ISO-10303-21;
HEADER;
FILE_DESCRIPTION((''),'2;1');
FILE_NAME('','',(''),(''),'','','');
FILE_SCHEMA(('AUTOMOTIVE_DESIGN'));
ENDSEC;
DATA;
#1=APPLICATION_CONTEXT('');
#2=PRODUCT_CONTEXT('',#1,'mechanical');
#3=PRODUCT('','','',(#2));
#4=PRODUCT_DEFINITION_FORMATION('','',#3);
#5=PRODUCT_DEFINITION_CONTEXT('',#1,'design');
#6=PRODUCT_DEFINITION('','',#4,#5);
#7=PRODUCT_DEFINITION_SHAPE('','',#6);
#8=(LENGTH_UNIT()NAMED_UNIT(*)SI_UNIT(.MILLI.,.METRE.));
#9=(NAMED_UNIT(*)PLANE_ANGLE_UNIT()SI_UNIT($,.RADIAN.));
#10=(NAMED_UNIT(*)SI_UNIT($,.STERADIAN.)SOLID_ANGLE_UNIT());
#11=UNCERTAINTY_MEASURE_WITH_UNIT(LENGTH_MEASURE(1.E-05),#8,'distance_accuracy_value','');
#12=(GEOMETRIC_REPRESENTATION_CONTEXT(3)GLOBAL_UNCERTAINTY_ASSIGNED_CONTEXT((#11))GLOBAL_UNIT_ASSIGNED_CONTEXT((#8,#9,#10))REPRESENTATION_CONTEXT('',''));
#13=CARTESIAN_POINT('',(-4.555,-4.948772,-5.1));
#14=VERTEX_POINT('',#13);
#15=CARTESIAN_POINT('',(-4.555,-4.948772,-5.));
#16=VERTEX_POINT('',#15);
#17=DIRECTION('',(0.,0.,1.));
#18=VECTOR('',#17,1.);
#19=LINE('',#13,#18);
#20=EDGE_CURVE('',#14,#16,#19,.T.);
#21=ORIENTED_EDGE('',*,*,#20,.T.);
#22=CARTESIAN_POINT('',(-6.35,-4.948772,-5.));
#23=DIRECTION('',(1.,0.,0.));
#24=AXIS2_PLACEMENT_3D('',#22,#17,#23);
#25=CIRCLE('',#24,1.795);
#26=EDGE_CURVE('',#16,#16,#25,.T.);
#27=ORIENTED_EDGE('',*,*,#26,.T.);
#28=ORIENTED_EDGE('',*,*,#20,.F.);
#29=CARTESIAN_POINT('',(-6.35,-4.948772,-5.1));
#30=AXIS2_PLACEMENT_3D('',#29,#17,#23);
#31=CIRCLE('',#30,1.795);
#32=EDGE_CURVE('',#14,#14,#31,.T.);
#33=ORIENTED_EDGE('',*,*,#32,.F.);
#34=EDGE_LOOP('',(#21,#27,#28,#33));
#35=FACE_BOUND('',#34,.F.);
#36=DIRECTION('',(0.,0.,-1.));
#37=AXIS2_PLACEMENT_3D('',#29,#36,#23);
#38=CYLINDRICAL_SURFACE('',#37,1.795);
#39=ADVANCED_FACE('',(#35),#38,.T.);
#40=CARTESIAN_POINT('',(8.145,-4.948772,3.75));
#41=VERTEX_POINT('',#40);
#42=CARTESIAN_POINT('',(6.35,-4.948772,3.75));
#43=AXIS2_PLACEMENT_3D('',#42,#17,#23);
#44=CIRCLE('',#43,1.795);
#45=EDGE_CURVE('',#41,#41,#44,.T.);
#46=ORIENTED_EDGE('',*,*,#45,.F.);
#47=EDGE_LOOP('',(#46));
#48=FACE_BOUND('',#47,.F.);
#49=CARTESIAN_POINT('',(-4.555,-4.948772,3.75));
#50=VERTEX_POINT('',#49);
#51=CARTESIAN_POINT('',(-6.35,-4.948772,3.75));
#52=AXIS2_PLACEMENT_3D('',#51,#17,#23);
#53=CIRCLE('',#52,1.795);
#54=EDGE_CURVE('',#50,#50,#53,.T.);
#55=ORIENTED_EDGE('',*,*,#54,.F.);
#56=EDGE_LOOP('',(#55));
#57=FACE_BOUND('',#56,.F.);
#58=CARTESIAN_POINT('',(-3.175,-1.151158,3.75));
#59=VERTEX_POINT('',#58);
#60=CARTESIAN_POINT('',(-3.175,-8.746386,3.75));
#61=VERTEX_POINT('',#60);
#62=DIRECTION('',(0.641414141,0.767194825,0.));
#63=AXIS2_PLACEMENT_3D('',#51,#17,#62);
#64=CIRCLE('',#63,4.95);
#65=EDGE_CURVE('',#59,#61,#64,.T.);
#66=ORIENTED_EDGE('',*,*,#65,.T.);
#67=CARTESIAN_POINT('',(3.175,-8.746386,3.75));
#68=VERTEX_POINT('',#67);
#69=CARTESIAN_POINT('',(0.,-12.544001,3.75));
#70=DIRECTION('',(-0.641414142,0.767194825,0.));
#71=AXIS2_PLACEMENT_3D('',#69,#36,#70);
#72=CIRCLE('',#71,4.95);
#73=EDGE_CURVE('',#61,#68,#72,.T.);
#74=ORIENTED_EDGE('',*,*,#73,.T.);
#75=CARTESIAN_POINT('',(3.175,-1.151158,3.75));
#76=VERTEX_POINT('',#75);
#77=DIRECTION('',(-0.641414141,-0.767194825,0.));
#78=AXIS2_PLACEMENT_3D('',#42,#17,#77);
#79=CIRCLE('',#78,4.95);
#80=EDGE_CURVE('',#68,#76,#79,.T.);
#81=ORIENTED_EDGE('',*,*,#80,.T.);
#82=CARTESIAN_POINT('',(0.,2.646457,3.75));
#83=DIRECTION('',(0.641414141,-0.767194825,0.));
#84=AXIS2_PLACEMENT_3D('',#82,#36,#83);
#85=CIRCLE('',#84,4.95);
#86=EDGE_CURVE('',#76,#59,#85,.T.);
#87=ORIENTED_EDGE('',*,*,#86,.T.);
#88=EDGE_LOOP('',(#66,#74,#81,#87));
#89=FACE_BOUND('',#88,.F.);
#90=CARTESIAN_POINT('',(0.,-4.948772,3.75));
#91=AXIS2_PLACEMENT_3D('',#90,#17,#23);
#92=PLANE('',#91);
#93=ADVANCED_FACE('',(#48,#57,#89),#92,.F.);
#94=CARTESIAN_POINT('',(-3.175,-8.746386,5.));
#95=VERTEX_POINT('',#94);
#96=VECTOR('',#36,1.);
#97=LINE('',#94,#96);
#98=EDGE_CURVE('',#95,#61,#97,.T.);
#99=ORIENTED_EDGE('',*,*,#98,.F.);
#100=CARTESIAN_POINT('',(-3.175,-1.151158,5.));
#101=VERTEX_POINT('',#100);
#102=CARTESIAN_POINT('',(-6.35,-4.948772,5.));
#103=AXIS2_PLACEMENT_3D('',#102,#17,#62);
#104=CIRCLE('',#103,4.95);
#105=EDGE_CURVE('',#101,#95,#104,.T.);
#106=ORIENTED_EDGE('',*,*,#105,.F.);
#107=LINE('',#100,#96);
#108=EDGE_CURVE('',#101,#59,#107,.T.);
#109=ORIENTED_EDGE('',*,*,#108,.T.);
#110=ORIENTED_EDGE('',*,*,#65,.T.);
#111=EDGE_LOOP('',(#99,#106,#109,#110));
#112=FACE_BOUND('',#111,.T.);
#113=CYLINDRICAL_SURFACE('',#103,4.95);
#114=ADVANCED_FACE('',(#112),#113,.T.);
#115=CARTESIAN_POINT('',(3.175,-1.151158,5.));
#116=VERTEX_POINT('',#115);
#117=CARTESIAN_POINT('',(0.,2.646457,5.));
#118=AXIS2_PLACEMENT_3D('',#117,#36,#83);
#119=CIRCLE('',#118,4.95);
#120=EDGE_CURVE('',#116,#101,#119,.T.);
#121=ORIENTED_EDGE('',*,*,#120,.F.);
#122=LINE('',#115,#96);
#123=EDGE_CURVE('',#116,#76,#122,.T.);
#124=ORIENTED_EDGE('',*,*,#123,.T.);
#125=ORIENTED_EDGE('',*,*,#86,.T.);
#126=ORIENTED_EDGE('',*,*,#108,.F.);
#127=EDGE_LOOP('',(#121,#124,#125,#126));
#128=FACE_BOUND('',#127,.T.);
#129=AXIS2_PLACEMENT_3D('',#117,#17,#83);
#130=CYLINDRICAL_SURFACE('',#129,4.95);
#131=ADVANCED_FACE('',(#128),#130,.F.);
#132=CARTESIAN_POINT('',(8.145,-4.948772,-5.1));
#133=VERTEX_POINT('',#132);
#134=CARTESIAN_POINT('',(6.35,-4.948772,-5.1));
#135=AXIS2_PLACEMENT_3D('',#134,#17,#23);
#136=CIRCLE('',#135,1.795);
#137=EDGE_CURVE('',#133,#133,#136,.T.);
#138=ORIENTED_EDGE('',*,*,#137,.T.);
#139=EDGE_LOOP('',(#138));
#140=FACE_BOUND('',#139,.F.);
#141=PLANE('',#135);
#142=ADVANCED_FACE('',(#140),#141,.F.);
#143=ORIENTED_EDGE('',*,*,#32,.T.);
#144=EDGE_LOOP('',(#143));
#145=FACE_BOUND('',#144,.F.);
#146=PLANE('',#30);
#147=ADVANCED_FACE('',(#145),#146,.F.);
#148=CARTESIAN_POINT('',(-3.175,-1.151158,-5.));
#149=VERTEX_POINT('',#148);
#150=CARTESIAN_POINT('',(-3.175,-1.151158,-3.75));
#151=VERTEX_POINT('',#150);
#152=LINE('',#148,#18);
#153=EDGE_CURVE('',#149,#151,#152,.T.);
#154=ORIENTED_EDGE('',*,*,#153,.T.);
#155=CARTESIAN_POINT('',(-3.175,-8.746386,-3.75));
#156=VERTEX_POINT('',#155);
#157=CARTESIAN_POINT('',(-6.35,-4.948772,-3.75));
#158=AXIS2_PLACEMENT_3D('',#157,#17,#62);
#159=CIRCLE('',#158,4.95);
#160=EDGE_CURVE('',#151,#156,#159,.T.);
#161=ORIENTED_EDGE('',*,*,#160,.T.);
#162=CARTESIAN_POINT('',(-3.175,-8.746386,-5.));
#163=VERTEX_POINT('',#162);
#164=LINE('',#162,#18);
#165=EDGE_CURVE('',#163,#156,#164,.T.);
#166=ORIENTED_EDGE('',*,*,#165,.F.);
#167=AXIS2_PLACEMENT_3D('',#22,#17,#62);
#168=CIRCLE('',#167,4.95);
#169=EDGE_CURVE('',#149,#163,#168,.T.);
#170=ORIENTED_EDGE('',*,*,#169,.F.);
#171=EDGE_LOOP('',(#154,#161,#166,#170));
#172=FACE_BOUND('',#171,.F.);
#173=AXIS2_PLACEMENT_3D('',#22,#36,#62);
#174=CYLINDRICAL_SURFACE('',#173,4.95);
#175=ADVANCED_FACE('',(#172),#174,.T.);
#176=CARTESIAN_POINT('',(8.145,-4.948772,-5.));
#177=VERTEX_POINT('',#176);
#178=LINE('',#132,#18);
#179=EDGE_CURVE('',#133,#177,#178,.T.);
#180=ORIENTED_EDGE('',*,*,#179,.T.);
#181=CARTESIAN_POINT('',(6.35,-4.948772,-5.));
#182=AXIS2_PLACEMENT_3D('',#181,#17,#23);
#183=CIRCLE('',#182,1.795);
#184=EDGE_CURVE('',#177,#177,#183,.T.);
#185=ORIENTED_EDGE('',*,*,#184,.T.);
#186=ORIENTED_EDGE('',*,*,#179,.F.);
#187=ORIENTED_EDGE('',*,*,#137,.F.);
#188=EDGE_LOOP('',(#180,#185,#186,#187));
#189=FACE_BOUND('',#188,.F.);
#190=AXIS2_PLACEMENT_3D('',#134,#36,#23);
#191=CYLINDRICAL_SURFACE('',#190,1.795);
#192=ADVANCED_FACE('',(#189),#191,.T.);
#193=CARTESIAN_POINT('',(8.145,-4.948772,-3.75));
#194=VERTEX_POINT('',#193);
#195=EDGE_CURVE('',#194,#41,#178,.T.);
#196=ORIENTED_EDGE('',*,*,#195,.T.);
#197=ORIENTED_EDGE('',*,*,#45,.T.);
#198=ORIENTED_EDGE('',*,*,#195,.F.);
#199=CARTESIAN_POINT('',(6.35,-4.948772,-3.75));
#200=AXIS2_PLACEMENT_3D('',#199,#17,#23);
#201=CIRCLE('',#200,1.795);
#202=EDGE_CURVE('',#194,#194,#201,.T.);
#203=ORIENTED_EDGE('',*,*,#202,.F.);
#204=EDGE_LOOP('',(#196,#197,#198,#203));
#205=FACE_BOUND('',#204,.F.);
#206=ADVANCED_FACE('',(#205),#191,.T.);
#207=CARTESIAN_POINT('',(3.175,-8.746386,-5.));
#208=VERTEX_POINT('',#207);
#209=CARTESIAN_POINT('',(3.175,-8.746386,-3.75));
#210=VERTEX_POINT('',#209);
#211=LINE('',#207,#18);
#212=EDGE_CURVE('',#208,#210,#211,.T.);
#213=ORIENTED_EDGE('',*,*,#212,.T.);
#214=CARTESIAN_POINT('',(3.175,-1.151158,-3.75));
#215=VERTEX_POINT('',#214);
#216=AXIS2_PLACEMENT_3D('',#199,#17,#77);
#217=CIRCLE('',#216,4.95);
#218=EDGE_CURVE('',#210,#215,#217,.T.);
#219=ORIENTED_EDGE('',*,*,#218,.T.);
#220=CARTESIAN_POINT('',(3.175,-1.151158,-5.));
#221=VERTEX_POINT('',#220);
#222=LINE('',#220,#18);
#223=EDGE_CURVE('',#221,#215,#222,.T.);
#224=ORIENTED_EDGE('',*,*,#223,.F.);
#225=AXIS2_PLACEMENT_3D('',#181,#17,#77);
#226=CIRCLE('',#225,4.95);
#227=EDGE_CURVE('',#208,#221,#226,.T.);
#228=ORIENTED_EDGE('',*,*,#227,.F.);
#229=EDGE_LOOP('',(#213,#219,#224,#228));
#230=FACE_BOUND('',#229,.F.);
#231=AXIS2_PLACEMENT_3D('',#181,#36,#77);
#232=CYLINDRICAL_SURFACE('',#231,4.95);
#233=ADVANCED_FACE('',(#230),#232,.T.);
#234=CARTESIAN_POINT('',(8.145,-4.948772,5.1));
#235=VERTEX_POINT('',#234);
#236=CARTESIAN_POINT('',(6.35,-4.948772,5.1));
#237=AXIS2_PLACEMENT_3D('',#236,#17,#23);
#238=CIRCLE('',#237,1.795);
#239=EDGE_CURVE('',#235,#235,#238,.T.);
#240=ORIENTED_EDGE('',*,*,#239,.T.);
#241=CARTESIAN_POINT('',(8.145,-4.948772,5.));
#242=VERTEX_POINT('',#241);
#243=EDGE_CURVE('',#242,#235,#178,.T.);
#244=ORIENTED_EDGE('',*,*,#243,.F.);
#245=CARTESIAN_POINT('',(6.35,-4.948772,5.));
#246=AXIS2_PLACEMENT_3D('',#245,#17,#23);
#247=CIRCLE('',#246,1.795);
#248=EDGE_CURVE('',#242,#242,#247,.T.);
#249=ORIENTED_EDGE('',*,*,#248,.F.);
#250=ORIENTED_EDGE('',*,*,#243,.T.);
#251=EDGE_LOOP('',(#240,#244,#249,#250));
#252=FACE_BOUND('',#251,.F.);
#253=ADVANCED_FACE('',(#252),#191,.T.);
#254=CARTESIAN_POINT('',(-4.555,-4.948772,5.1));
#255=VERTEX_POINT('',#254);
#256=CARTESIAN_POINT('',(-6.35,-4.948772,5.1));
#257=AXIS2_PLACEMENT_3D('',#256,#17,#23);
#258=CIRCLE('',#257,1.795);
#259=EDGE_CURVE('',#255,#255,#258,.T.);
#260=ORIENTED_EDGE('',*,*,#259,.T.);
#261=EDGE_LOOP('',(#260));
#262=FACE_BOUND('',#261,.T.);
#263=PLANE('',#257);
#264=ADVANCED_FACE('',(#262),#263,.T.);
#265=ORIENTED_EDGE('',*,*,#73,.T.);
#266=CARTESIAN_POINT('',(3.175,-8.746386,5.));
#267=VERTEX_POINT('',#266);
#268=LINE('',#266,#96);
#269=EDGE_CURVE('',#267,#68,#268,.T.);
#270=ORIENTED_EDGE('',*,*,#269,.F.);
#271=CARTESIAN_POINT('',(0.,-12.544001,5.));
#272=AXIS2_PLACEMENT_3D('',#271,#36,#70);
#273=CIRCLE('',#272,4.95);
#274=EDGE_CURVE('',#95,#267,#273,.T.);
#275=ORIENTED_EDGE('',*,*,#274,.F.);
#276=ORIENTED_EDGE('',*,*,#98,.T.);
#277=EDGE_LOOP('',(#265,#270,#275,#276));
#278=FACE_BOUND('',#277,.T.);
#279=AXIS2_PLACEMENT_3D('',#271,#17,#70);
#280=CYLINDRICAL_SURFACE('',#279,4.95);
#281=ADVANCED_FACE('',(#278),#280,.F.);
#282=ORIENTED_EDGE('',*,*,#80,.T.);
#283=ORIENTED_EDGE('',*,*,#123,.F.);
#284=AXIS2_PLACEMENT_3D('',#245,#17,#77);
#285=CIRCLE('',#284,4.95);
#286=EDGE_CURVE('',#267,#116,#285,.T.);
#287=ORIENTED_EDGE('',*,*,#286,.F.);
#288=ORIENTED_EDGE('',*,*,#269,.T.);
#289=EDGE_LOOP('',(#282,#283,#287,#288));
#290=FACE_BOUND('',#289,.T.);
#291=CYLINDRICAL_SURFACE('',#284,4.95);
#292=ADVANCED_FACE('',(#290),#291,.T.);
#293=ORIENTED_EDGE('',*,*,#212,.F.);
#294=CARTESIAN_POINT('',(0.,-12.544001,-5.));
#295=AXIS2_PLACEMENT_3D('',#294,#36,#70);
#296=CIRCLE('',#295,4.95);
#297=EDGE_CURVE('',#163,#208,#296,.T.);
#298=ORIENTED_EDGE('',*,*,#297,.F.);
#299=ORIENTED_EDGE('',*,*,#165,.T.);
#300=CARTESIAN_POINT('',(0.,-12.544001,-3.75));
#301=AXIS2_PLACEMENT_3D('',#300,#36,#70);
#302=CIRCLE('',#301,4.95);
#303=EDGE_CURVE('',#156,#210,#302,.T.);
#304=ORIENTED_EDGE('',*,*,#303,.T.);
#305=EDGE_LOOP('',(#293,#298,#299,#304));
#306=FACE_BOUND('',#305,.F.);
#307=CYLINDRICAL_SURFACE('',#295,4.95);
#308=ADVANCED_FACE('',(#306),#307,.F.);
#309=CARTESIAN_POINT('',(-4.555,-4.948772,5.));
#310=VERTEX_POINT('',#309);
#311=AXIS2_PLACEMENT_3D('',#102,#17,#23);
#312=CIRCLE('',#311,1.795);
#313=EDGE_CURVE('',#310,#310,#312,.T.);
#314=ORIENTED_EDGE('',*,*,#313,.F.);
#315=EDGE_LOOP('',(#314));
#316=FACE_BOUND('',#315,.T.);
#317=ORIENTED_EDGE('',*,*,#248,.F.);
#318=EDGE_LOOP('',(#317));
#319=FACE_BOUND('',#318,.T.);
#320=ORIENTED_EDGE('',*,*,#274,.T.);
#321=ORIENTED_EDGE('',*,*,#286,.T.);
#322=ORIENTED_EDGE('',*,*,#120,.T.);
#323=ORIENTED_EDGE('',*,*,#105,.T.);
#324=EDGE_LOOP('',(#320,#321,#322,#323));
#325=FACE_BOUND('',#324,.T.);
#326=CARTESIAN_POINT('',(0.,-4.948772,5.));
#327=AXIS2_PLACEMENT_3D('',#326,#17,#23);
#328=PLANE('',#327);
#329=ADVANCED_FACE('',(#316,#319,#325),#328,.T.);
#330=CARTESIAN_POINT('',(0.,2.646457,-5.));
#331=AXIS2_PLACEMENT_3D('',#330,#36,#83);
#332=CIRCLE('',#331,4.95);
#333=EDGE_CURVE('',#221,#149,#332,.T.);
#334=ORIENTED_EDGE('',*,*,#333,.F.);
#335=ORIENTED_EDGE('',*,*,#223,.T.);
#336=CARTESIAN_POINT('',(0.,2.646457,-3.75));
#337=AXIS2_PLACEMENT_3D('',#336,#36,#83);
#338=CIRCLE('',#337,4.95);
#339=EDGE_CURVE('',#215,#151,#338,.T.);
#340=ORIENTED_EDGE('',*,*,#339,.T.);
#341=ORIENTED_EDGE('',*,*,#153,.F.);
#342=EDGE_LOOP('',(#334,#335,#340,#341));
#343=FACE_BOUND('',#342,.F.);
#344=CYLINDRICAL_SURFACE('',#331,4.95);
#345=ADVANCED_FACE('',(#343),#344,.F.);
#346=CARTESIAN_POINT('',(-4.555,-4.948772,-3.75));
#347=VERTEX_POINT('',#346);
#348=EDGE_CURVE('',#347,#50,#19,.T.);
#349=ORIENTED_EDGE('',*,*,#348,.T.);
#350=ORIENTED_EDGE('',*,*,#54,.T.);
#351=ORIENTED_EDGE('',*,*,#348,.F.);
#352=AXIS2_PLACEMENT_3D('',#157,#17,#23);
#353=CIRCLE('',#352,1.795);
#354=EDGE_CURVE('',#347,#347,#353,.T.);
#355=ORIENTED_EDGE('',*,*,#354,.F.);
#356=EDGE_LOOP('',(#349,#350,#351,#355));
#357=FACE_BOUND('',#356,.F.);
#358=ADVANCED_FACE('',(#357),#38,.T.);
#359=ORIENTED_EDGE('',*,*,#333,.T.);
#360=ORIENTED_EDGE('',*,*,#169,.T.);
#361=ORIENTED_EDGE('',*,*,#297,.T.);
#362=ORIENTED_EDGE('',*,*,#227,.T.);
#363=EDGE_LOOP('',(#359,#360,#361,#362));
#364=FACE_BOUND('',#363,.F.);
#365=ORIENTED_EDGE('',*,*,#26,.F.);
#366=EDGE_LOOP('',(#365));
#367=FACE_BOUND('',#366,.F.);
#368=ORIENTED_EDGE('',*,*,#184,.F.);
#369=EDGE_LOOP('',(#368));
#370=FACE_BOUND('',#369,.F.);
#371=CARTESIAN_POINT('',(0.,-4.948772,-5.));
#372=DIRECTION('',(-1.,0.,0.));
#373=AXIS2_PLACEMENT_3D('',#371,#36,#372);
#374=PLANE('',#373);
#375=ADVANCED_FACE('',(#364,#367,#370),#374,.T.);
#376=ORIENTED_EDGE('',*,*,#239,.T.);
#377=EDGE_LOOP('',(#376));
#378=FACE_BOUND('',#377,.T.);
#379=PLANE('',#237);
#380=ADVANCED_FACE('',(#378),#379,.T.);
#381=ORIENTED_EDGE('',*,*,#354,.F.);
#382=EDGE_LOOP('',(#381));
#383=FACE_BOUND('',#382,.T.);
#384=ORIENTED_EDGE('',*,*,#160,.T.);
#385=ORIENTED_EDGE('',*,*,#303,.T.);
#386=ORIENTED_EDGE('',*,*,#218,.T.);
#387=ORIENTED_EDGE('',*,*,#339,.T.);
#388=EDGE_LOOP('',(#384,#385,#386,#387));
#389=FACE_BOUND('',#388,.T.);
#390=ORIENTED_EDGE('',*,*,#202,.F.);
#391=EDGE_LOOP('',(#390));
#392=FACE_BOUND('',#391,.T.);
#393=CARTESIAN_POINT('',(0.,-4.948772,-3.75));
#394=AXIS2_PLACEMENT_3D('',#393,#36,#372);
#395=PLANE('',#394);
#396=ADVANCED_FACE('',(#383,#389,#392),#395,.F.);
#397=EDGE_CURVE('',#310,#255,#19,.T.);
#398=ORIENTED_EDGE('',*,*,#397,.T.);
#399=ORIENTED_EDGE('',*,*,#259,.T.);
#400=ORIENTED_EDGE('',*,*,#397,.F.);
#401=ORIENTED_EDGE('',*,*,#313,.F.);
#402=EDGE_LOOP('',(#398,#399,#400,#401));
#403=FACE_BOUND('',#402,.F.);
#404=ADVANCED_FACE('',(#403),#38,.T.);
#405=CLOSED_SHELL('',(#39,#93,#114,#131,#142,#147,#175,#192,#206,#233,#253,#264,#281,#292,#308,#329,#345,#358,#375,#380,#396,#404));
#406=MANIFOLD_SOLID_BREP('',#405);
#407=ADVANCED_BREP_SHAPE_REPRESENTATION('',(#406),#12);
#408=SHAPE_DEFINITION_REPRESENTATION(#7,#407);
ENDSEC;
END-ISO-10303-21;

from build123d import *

# Parameters (mm, degrees)
SKETCH_2_R           = 1.795
EXTRUDE_1_DEPTH      = 1.25
EXTRUDE_2_DEPTH      = 5.1
EXTRUDE_2_DEPTH_BACK = 5.1
SKETCH_1_R           = 1.795


with BuildPart() as part:
    # Эскиз2 → Бобышка-Вытянуть1 (new body)
    with BuildSketch(Plane.XY.offset(5)):
        with BuildLine():
            ThreePointArc((3.175, -8.746386407), (11.3, -4.948772024), (3.175, -1.151157641))
            ThreePointArc((3.175, -1.151157641), (0, -2.303543258), (-3.175, -1.151157641))
            ThreePointArc((-3.175, -1.151157641), (-11.3, -4.948772024), (-3.175, -8.746386407))
            ThreePointArc((-3.175, -8.746386407), (0, -7.594000789), (3.175, -8.746386407))
        make_face()
        with Locations((6.35, -4.948772024)):
            Circle(SKETCH_2_R, mode=Mode.SUBTRACT)
        with Locations((-6.35, -4.948772024)):
            Circle(SKETCH_2_R, mode=Mode.SUBTRACT)
    extrude(amount=-EXTRUDE_1_DEPTH)


with BuildPart() as body_2:
    # Зеркальное отражение3: mirrored copy
    add(part.part.mirror(Plane.XY))


with BuildPart() as part_1:
    add(part.part)

    add(body_2.part)  # Бобышка-Вытянуть2 merges body 2
    # Эскиз1 → Бобышка-Вытянуть2 (add, two sides: drawn at the far end of the back side and taken through both)
    with BuildSketch(Plane.XY.offset(-EXTRUDE_2_DEPTH_BACK)):
        with Locations((6.35, -4.948772024)):
            Circle(SKETCH_1_R)
        with Locations((-6.35, -4.948772024)):
            Circle(SKETCH_1_R)
    extrude(amount=EXTRUDE_2_DEPTH + EXTRUDE_2_DEPTH_BACK)


solid = part_1.part
